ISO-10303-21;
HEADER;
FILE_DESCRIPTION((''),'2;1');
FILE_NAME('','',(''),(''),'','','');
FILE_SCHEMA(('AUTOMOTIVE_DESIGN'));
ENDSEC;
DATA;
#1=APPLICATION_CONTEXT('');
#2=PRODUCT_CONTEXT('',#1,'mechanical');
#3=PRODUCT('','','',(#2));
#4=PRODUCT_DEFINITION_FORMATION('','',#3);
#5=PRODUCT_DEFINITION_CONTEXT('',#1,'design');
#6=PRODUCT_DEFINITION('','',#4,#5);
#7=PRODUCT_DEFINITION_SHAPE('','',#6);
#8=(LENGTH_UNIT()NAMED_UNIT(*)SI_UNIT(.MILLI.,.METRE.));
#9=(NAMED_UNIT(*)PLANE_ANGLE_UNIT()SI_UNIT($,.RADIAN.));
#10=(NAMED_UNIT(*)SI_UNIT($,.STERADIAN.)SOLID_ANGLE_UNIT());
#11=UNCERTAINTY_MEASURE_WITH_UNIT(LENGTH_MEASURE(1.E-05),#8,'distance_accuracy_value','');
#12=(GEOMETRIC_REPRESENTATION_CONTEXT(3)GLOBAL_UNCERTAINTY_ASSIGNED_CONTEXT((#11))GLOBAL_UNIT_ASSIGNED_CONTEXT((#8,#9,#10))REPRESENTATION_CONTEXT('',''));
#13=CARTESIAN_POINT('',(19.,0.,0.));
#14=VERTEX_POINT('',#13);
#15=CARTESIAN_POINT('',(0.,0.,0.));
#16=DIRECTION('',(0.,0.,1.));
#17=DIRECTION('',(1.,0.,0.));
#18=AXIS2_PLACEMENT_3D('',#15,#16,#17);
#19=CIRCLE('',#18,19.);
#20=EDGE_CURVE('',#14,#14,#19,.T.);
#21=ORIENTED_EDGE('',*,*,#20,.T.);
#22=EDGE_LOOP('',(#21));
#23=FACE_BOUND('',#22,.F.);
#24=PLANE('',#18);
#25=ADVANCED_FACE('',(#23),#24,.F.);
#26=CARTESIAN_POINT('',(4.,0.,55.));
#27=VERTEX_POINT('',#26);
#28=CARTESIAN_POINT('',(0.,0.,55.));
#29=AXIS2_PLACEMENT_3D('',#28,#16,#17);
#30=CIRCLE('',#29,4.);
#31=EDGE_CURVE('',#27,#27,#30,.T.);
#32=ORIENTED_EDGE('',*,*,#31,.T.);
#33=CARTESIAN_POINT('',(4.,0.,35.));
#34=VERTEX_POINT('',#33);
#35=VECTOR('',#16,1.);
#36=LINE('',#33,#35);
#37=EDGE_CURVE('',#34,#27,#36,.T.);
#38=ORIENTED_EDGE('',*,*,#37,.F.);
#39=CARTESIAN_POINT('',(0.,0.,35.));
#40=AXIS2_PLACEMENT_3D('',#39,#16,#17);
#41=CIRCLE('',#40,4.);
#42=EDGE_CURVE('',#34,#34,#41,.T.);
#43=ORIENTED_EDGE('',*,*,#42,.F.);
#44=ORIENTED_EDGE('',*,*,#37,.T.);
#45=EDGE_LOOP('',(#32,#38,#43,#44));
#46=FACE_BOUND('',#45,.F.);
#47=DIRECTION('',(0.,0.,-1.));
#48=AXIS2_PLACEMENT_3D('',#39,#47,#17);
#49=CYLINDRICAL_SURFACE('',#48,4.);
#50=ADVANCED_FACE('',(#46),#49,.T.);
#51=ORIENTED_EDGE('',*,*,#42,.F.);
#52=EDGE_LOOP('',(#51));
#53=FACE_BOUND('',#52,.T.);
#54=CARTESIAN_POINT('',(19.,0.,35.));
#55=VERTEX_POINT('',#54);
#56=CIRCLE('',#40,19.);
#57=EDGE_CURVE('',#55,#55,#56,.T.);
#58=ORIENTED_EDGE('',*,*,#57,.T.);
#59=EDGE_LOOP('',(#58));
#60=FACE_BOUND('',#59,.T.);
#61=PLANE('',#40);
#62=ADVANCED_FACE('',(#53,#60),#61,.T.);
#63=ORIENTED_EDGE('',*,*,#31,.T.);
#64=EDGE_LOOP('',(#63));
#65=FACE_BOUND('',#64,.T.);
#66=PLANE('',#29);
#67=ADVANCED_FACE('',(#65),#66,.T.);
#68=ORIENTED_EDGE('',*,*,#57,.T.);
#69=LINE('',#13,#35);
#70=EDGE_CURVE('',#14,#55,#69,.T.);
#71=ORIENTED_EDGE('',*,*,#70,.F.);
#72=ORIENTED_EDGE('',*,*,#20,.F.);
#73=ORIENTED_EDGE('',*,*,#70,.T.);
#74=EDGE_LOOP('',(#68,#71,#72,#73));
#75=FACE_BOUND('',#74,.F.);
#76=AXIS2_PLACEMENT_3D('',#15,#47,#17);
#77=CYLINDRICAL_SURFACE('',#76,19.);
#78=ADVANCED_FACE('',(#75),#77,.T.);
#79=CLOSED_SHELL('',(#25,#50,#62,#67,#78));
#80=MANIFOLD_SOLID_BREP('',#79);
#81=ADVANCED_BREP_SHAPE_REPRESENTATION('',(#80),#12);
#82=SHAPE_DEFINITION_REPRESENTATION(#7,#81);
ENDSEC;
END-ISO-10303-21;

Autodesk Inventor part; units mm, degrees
ref_plane "YZ Plane" through (0, 0, 0) normal (1, 0, 0) x (0, 1, 0)
ref_plane "XZ Plane" through (0, 0, 0) normal (0, 1, 0) x (-1, 0, 0)
ref_plane "XY Plane" through (0, 0, 0) normal (0, 0, 1) x (1, 0, 0)
sketch "Sketch1" plane through (0, 0, 0) normal (0, 0, 1) x (1, 0, 0)
  circle A0 centre (0, 0) radius 19
  dimension "d0" = 38
extrude "Extrusion1" add sketch "Sketch1" along normal blind 35
sketch "Sketch2" plane through (0, 0, 35) normal (0, 0, 1) x (1, 0, 0)
  circle A0 centre (0, 0) radius 4
  dimension "d3" = 8
extrude "Extrusion2" add sketch "Sketch2" along normal blind 20
properties part number "Encoder"
